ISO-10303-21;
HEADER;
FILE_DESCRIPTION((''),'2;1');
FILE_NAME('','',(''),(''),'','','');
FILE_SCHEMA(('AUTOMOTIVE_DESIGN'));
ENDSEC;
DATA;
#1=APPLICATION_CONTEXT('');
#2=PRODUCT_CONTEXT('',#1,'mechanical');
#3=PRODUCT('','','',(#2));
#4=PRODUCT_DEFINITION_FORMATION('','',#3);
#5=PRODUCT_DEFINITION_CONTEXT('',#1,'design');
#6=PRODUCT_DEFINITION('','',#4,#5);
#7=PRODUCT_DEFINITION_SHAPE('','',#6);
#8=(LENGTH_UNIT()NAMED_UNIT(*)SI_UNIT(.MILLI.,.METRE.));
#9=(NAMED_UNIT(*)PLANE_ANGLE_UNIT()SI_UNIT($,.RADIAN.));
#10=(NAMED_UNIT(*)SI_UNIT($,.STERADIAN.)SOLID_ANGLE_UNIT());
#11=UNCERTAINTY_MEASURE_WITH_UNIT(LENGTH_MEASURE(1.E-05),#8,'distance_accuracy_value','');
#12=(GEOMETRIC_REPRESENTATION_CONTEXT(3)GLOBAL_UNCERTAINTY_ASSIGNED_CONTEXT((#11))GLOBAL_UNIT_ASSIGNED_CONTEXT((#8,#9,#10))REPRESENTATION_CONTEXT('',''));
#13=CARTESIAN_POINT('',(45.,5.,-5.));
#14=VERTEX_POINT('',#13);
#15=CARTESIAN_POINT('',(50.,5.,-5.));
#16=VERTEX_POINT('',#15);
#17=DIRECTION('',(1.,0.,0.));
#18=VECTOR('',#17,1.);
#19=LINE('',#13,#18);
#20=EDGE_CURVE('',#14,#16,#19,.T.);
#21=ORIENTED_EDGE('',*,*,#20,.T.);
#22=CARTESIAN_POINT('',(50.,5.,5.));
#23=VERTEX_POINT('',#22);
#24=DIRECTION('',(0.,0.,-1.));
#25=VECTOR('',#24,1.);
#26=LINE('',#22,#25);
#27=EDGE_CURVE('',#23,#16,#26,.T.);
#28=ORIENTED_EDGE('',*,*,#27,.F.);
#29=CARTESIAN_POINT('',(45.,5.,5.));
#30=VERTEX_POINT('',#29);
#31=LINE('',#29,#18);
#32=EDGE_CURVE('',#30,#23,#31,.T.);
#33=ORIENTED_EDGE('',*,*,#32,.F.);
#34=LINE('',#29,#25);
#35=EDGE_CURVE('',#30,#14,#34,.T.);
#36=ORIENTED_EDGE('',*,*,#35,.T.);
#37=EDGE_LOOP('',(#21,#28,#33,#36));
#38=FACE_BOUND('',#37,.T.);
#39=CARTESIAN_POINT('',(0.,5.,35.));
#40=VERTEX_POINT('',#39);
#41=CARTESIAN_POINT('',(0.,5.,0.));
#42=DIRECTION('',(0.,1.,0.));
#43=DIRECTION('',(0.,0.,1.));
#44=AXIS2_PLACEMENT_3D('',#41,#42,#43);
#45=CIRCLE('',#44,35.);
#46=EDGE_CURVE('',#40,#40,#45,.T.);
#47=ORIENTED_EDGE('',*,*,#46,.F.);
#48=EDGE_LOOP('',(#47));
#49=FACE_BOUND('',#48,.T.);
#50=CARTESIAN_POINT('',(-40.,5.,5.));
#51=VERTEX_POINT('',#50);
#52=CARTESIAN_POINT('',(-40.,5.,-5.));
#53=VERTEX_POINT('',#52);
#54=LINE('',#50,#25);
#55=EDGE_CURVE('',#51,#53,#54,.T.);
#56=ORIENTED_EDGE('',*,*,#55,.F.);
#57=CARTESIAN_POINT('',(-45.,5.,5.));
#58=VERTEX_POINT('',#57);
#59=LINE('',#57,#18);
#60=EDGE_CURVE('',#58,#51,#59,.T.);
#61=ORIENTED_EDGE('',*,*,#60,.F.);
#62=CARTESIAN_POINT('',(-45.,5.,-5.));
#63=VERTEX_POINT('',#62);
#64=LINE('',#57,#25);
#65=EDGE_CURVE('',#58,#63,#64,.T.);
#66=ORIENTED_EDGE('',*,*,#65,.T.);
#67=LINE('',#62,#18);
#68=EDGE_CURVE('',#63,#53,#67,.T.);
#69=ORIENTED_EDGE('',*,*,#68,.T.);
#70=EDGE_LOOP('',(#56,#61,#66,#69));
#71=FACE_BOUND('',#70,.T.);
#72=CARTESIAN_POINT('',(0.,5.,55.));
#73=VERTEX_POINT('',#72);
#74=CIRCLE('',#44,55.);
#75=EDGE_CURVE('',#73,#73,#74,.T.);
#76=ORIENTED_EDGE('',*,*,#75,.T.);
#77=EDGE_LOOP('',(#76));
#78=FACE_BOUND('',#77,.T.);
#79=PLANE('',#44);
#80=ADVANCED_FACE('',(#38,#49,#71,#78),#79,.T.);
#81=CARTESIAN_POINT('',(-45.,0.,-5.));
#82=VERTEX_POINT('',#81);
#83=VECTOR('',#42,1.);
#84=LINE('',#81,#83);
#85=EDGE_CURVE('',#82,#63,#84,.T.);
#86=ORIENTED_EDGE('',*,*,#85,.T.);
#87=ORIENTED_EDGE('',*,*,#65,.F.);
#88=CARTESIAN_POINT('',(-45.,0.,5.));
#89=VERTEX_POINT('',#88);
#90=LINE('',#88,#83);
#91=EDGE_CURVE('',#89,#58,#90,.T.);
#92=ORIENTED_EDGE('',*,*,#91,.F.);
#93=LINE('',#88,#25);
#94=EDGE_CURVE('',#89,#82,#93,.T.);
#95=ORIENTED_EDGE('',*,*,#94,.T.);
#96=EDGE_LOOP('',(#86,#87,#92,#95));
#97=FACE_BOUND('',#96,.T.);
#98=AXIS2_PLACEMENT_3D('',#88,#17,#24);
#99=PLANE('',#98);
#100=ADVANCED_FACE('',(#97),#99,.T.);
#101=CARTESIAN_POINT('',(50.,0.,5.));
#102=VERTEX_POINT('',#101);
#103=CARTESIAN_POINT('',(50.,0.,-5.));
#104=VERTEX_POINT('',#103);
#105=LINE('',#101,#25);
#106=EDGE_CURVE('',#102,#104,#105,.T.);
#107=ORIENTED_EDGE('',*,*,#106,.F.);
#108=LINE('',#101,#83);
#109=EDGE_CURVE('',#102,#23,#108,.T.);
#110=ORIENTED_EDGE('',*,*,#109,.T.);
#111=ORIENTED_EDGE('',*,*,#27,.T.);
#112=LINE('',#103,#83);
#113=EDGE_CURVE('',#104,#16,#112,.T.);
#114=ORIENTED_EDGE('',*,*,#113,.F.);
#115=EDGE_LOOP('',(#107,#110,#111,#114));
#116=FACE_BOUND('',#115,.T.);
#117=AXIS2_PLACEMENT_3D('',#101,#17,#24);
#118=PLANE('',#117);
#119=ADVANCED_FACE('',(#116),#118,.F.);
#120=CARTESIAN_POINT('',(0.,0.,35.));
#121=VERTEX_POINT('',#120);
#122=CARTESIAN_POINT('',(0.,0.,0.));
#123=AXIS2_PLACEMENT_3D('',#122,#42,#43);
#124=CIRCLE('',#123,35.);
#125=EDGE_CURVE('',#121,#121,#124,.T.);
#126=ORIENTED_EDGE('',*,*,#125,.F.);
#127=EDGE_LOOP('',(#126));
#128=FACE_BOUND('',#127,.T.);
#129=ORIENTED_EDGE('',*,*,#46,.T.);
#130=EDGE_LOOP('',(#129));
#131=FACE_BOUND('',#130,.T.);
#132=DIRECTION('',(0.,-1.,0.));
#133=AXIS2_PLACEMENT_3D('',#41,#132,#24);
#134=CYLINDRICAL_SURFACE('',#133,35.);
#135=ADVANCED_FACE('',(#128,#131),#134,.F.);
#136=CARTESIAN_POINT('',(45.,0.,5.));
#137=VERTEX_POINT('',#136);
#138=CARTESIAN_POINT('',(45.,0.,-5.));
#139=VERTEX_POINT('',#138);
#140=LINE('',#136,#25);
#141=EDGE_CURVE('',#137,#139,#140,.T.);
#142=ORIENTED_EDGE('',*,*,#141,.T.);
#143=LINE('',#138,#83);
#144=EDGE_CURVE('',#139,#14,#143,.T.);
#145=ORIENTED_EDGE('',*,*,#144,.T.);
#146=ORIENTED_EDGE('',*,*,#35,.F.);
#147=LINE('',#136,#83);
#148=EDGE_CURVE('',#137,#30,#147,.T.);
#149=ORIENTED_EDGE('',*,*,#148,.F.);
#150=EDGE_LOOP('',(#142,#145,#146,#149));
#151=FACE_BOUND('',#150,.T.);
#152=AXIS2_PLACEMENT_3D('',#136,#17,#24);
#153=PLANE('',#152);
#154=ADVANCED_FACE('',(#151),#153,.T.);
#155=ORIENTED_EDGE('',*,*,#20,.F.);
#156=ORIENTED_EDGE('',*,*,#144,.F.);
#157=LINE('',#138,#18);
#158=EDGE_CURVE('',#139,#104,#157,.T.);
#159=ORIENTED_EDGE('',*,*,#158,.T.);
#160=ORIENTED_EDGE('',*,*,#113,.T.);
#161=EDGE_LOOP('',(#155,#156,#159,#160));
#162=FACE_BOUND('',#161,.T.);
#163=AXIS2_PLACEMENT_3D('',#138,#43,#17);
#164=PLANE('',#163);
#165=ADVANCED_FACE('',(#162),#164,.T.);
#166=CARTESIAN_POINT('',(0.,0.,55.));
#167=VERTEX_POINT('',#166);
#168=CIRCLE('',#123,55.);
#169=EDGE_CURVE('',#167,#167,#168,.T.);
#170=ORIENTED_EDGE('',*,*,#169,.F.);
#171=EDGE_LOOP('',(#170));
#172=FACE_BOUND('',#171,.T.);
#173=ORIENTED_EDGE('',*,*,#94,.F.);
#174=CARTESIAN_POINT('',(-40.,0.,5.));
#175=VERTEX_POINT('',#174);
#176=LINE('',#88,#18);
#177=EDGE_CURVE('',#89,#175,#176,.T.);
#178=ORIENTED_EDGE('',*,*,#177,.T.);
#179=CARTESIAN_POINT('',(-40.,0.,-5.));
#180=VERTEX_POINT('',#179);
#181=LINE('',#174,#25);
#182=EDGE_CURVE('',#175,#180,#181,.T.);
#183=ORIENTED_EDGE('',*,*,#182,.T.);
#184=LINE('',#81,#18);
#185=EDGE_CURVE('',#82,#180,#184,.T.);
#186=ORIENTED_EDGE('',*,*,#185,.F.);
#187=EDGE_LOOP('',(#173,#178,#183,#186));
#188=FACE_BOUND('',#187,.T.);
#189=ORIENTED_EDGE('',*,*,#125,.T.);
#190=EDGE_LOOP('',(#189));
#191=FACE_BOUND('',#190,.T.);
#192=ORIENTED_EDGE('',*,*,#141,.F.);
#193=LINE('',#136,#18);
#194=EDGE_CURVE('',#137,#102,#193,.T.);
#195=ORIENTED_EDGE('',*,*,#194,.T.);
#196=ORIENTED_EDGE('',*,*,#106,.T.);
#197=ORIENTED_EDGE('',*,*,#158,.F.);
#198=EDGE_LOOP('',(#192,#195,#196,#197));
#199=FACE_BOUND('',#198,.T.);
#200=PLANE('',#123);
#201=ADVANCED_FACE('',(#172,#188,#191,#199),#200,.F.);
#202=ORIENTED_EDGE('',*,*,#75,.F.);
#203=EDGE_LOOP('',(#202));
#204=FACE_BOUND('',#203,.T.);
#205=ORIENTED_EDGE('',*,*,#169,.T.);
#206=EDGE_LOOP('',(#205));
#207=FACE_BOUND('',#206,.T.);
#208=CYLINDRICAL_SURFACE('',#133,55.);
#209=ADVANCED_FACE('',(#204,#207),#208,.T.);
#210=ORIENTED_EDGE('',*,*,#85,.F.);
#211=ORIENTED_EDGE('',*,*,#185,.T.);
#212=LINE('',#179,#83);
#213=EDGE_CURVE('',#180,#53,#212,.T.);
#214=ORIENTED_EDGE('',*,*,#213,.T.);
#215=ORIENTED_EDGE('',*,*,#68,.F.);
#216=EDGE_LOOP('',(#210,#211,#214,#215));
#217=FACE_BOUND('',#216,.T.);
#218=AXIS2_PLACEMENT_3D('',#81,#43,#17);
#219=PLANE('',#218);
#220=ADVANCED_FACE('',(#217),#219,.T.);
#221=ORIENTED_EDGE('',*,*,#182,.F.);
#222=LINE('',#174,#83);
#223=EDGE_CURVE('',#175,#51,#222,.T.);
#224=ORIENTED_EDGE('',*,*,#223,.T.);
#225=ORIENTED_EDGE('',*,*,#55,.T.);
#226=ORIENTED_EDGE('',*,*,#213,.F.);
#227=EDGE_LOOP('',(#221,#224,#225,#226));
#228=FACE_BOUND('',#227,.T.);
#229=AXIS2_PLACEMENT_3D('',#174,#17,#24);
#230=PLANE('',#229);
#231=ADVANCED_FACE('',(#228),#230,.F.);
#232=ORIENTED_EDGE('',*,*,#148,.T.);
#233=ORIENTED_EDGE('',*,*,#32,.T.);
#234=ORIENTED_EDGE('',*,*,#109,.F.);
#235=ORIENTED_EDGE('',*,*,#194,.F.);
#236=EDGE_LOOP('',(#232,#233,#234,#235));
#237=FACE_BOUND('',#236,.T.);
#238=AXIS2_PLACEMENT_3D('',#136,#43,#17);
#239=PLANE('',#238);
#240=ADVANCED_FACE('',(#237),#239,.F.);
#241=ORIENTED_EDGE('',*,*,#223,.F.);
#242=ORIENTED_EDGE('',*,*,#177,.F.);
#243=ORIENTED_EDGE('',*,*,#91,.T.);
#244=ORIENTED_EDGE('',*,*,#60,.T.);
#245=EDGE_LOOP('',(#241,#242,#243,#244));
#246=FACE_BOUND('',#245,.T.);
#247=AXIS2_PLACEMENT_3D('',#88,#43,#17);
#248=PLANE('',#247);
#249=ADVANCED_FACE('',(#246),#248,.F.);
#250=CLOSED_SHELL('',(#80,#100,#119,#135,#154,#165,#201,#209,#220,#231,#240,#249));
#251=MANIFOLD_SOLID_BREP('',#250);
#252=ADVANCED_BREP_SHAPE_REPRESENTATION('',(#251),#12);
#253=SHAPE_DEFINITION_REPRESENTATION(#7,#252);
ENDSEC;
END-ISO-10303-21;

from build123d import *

# Parameters (mm, degrees)
SKETCH1_R           = 55
SKETCH1_R_2         = 35
BOSS_EXTRUDE1_DEPTH = 5
SKETCH2_W           = 5
SKETCH2_H           = 10
CUT_EXTRUDE1_DEPTH  = 5


with BuildPart() as part:
    # Sketch1 → Boss-Extrude1 (new body)
    with BuildSketch(Plane(origin=(0, 0, 0), x_dir=(1, 0, 0), z_dir=(0, 1, 0))):
        with Locations(Location((0, 0, 0), (0, 0, 270))):
            Circle(SKETCH1_R)
        with Locations(Location((0, 0, 0), (0, 0, 270))):
            Circle(SKETCH1_R_2, mode=Mode.SUBTRACT)
    extrude(amount=BOSS_EXTRUDE1_DEPTH)

    # Sketch2 → Cut-Extrude1 (cut)
    with BuildSketch(Plane(origin=(0, 5, 0), x_dir=(1, 0, 0), z_dir=(0, 1, 0))):
        with Locations((-42.5, 0)):
            Rectangle(SKETCH2_W, SKETCH2_H)
        with Locations((47.5, 0)):
            Rectangle(SKETCH2_W, SKETCH2_H)
    extrude(amount=-CUT_EXTRUDE1_DEPTH, mode=Mode.SUBTRACT)


solid = part.part
